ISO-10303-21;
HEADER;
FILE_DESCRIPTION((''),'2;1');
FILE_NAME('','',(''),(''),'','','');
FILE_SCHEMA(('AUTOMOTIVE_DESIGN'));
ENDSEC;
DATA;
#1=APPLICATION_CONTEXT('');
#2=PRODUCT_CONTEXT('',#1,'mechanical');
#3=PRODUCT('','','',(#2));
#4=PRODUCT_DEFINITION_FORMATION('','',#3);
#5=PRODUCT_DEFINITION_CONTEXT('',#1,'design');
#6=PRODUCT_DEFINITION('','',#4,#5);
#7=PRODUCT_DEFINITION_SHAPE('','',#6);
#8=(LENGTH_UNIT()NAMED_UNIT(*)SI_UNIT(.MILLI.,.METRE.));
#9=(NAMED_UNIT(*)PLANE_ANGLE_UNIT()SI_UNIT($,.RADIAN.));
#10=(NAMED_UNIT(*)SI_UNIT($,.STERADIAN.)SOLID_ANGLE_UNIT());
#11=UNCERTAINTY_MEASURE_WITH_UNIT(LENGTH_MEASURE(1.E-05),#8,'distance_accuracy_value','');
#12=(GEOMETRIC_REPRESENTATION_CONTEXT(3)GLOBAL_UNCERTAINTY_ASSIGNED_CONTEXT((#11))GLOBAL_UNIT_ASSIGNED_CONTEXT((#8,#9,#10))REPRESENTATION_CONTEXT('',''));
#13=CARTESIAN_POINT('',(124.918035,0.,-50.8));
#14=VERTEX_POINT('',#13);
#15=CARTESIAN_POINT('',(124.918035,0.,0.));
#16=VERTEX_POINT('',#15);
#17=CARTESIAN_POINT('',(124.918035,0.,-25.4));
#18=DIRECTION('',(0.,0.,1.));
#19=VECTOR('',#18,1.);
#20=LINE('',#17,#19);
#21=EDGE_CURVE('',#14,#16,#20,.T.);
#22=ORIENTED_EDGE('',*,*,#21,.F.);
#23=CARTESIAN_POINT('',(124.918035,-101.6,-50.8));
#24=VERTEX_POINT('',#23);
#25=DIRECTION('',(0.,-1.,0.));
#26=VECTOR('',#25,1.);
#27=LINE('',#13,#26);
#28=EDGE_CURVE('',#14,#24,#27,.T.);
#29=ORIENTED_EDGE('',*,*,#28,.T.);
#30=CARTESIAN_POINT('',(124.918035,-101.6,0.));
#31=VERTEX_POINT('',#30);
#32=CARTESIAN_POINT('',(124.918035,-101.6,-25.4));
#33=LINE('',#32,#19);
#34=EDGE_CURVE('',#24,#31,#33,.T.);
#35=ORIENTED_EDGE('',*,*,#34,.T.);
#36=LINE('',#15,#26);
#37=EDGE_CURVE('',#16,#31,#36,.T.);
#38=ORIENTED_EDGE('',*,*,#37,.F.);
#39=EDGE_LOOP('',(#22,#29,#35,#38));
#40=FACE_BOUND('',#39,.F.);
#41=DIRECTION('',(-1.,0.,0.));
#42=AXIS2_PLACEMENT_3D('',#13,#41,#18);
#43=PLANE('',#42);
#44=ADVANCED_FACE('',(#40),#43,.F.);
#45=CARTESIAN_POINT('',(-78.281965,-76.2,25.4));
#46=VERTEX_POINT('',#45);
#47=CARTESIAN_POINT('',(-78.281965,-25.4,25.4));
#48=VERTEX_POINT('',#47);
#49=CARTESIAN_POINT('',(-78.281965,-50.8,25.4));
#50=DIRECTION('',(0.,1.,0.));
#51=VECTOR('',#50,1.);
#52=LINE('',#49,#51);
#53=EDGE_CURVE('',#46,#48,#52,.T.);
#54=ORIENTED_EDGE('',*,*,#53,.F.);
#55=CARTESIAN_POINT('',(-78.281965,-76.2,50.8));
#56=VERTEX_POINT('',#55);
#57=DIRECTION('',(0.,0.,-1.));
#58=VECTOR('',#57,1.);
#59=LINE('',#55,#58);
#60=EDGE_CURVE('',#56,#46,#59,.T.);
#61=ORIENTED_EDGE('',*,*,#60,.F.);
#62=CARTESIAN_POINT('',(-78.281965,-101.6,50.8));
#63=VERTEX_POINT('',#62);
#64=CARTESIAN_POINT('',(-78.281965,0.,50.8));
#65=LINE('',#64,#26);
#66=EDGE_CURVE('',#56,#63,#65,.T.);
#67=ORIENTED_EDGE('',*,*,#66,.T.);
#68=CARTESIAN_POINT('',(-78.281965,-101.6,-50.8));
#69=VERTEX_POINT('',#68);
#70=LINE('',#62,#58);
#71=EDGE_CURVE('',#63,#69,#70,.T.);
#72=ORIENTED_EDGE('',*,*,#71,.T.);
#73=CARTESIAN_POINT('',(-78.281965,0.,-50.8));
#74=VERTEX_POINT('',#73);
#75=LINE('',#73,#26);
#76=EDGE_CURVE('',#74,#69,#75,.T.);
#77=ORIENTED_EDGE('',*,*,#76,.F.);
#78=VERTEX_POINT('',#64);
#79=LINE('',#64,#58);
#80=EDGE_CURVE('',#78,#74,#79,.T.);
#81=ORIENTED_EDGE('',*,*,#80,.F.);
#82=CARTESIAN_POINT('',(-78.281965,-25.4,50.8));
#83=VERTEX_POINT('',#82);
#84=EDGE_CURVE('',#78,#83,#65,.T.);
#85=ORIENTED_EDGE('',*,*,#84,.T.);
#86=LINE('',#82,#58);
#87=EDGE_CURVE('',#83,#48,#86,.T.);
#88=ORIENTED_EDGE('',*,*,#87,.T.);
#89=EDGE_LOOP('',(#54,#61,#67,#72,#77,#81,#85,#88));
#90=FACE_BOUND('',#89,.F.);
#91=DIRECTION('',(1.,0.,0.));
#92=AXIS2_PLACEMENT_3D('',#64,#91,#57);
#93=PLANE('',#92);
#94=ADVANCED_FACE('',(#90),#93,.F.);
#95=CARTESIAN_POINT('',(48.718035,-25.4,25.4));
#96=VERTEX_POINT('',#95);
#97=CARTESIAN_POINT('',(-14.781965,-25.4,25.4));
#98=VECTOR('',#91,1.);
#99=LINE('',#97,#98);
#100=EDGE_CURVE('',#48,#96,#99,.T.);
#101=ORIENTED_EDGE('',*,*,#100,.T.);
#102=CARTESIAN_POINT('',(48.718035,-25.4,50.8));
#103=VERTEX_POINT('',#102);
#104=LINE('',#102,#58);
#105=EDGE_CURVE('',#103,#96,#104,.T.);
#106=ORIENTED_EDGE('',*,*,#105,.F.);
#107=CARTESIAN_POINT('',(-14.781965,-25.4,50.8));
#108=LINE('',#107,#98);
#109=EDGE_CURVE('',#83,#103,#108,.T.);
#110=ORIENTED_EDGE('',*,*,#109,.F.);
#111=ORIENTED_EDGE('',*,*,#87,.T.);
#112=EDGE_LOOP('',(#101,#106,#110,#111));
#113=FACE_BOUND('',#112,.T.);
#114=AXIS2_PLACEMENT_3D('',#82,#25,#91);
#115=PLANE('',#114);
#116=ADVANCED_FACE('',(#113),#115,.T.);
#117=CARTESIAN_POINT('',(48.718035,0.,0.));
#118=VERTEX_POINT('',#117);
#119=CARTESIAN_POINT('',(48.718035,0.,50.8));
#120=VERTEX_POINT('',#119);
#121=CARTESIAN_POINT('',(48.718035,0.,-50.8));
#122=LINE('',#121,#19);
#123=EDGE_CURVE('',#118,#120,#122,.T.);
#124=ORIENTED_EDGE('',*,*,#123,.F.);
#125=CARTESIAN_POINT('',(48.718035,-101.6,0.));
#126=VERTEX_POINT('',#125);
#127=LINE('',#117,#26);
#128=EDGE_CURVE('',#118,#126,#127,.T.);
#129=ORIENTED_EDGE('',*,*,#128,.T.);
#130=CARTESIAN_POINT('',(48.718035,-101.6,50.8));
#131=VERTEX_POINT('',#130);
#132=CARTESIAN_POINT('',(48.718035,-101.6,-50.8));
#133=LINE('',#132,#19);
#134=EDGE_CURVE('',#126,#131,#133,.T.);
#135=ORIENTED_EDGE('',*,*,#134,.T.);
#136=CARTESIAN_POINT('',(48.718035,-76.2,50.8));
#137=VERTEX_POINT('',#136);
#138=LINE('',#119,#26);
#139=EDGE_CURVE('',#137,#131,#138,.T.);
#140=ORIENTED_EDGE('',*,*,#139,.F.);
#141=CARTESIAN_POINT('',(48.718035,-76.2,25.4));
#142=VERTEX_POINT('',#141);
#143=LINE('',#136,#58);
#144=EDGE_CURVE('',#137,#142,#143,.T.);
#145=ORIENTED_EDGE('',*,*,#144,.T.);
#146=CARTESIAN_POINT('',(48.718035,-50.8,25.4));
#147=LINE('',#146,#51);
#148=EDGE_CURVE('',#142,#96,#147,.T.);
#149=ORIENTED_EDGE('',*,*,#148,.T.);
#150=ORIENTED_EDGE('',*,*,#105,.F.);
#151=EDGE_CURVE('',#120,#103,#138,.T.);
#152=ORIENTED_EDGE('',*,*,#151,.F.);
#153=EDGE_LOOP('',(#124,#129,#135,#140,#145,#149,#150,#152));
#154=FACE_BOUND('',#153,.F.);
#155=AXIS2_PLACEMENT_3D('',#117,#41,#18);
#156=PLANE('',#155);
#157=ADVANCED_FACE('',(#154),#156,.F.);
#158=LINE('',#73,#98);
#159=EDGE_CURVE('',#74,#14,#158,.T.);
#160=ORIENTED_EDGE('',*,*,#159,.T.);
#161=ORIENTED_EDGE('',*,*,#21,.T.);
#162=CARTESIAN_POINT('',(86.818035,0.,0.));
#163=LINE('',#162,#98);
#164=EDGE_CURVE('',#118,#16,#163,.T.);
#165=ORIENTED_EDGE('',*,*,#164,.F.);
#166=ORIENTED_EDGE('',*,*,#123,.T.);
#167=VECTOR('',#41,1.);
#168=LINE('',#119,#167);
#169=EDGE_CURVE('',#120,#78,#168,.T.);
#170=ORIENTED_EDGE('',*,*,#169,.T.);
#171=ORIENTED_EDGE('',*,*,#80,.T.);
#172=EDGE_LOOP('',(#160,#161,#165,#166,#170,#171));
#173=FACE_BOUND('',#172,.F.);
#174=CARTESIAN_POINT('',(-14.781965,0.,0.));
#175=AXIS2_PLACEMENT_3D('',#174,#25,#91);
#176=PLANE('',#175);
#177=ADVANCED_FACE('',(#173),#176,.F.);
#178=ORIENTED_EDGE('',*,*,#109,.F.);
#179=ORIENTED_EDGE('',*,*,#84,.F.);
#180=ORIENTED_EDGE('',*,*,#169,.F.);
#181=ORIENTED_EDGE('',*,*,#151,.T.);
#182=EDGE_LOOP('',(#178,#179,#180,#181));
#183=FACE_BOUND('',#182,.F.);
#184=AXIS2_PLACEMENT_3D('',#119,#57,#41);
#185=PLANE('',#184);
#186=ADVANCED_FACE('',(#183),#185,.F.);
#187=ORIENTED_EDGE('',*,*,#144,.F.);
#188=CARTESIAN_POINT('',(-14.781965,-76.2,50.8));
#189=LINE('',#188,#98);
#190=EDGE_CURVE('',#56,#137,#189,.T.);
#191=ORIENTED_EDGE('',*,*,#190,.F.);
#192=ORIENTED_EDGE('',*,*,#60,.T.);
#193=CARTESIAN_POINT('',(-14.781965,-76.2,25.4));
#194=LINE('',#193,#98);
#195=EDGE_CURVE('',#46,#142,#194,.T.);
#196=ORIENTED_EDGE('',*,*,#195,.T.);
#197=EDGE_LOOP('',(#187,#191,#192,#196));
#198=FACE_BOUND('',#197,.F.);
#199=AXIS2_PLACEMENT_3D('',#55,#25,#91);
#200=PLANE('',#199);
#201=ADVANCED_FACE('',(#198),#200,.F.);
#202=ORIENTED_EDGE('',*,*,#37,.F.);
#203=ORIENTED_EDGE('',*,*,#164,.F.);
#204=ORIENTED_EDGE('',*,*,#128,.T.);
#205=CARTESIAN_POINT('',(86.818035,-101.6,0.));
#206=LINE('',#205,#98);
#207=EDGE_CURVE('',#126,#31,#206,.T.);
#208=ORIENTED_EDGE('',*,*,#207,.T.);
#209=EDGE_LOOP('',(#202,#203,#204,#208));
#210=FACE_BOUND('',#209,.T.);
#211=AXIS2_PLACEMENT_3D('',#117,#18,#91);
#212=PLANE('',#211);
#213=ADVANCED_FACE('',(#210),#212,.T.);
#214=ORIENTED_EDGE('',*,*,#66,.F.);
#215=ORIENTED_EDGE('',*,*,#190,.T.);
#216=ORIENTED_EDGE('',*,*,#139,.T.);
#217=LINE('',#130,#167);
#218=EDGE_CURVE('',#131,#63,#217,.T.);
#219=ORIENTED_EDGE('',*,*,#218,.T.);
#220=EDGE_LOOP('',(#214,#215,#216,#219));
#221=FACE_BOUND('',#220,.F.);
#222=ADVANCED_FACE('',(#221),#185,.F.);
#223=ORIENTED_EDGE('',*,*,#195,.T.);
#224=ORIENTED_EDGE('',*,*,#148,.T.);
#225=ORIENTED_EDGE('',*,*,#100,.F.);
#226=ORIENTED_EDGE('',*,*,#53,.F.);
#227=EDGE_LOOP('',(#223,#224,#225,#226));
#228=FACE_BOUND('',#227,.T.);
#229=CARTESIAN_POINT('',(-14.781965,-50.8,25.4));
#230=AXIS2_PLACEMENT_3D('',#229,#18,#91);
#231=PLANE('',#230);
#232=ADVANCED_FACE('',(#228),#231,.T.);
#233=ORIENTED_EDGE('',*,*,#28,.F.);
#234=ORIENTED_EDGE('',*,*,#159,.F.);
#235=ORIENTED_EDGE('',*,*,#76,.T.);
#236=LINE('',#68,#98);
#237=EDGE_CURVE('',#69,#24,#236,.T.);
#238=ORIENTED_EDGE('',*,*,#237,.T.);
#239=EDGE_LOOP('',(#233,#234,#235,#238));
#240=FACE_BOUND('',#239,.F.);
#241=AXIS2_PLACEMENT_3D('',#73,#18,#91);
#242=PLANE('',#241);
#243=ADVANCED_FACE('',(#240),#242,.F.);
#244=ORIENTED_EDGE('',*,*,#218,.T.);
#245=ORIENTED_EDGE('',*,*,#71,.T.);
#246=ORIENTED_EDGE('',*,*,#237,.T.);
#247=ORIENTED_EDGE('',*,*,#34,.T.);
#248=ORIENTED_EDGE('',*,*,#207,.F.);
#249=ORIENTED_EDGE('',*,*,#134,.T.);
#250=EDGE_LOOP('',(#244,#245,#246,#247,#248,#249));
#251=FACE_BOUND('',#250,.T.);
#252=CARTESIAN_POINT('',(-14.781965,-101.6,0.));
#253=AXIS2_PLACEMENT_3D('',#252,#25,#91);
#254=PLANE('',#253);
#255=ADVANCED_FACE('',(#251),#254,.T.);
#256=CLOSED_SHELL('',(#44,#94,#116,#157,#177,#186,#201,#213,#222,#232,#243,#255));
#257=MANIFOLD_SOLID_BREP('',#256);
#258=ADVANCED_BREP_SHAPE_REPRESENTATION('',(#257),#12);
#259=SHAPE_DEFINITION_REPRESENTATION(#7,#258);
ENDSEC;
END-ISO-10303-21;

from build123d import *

# Parameters (mm, degrees)
F0_W     = 76.2
F0_H     = 50.8
F1_DEPTH = 101.6
F2_W     = 127
F2_H     = 50.8
F3_DEPTH = 25.4


with BuildPart() as f1:
    # F0 (on Front) → F1 (new body)
    with BuildSketch(Plane.XZ):
        Polygon((48.718035, 50.8), (-78.281965, 50.8), (-78.281965, -50.8), (48.718035, -50.8), (48.718035, 0), align=None)
        with Locations((86.818035, -25.4)):
            Rectangle(F0_W, F0_H)
    extrude(amount=F1_DEPTH)

    # F2 (on face) → F3 (cut)
    with BuildSketch(Plane.XY.offset(50.8)):
        with Locations((-14.781965, -50.8)):
            Rectangle(F2_W, F2_H)
    extrude(amount=-F3_DEPTH, mode=Mode.SUBTRACT)


solid = f1.part
